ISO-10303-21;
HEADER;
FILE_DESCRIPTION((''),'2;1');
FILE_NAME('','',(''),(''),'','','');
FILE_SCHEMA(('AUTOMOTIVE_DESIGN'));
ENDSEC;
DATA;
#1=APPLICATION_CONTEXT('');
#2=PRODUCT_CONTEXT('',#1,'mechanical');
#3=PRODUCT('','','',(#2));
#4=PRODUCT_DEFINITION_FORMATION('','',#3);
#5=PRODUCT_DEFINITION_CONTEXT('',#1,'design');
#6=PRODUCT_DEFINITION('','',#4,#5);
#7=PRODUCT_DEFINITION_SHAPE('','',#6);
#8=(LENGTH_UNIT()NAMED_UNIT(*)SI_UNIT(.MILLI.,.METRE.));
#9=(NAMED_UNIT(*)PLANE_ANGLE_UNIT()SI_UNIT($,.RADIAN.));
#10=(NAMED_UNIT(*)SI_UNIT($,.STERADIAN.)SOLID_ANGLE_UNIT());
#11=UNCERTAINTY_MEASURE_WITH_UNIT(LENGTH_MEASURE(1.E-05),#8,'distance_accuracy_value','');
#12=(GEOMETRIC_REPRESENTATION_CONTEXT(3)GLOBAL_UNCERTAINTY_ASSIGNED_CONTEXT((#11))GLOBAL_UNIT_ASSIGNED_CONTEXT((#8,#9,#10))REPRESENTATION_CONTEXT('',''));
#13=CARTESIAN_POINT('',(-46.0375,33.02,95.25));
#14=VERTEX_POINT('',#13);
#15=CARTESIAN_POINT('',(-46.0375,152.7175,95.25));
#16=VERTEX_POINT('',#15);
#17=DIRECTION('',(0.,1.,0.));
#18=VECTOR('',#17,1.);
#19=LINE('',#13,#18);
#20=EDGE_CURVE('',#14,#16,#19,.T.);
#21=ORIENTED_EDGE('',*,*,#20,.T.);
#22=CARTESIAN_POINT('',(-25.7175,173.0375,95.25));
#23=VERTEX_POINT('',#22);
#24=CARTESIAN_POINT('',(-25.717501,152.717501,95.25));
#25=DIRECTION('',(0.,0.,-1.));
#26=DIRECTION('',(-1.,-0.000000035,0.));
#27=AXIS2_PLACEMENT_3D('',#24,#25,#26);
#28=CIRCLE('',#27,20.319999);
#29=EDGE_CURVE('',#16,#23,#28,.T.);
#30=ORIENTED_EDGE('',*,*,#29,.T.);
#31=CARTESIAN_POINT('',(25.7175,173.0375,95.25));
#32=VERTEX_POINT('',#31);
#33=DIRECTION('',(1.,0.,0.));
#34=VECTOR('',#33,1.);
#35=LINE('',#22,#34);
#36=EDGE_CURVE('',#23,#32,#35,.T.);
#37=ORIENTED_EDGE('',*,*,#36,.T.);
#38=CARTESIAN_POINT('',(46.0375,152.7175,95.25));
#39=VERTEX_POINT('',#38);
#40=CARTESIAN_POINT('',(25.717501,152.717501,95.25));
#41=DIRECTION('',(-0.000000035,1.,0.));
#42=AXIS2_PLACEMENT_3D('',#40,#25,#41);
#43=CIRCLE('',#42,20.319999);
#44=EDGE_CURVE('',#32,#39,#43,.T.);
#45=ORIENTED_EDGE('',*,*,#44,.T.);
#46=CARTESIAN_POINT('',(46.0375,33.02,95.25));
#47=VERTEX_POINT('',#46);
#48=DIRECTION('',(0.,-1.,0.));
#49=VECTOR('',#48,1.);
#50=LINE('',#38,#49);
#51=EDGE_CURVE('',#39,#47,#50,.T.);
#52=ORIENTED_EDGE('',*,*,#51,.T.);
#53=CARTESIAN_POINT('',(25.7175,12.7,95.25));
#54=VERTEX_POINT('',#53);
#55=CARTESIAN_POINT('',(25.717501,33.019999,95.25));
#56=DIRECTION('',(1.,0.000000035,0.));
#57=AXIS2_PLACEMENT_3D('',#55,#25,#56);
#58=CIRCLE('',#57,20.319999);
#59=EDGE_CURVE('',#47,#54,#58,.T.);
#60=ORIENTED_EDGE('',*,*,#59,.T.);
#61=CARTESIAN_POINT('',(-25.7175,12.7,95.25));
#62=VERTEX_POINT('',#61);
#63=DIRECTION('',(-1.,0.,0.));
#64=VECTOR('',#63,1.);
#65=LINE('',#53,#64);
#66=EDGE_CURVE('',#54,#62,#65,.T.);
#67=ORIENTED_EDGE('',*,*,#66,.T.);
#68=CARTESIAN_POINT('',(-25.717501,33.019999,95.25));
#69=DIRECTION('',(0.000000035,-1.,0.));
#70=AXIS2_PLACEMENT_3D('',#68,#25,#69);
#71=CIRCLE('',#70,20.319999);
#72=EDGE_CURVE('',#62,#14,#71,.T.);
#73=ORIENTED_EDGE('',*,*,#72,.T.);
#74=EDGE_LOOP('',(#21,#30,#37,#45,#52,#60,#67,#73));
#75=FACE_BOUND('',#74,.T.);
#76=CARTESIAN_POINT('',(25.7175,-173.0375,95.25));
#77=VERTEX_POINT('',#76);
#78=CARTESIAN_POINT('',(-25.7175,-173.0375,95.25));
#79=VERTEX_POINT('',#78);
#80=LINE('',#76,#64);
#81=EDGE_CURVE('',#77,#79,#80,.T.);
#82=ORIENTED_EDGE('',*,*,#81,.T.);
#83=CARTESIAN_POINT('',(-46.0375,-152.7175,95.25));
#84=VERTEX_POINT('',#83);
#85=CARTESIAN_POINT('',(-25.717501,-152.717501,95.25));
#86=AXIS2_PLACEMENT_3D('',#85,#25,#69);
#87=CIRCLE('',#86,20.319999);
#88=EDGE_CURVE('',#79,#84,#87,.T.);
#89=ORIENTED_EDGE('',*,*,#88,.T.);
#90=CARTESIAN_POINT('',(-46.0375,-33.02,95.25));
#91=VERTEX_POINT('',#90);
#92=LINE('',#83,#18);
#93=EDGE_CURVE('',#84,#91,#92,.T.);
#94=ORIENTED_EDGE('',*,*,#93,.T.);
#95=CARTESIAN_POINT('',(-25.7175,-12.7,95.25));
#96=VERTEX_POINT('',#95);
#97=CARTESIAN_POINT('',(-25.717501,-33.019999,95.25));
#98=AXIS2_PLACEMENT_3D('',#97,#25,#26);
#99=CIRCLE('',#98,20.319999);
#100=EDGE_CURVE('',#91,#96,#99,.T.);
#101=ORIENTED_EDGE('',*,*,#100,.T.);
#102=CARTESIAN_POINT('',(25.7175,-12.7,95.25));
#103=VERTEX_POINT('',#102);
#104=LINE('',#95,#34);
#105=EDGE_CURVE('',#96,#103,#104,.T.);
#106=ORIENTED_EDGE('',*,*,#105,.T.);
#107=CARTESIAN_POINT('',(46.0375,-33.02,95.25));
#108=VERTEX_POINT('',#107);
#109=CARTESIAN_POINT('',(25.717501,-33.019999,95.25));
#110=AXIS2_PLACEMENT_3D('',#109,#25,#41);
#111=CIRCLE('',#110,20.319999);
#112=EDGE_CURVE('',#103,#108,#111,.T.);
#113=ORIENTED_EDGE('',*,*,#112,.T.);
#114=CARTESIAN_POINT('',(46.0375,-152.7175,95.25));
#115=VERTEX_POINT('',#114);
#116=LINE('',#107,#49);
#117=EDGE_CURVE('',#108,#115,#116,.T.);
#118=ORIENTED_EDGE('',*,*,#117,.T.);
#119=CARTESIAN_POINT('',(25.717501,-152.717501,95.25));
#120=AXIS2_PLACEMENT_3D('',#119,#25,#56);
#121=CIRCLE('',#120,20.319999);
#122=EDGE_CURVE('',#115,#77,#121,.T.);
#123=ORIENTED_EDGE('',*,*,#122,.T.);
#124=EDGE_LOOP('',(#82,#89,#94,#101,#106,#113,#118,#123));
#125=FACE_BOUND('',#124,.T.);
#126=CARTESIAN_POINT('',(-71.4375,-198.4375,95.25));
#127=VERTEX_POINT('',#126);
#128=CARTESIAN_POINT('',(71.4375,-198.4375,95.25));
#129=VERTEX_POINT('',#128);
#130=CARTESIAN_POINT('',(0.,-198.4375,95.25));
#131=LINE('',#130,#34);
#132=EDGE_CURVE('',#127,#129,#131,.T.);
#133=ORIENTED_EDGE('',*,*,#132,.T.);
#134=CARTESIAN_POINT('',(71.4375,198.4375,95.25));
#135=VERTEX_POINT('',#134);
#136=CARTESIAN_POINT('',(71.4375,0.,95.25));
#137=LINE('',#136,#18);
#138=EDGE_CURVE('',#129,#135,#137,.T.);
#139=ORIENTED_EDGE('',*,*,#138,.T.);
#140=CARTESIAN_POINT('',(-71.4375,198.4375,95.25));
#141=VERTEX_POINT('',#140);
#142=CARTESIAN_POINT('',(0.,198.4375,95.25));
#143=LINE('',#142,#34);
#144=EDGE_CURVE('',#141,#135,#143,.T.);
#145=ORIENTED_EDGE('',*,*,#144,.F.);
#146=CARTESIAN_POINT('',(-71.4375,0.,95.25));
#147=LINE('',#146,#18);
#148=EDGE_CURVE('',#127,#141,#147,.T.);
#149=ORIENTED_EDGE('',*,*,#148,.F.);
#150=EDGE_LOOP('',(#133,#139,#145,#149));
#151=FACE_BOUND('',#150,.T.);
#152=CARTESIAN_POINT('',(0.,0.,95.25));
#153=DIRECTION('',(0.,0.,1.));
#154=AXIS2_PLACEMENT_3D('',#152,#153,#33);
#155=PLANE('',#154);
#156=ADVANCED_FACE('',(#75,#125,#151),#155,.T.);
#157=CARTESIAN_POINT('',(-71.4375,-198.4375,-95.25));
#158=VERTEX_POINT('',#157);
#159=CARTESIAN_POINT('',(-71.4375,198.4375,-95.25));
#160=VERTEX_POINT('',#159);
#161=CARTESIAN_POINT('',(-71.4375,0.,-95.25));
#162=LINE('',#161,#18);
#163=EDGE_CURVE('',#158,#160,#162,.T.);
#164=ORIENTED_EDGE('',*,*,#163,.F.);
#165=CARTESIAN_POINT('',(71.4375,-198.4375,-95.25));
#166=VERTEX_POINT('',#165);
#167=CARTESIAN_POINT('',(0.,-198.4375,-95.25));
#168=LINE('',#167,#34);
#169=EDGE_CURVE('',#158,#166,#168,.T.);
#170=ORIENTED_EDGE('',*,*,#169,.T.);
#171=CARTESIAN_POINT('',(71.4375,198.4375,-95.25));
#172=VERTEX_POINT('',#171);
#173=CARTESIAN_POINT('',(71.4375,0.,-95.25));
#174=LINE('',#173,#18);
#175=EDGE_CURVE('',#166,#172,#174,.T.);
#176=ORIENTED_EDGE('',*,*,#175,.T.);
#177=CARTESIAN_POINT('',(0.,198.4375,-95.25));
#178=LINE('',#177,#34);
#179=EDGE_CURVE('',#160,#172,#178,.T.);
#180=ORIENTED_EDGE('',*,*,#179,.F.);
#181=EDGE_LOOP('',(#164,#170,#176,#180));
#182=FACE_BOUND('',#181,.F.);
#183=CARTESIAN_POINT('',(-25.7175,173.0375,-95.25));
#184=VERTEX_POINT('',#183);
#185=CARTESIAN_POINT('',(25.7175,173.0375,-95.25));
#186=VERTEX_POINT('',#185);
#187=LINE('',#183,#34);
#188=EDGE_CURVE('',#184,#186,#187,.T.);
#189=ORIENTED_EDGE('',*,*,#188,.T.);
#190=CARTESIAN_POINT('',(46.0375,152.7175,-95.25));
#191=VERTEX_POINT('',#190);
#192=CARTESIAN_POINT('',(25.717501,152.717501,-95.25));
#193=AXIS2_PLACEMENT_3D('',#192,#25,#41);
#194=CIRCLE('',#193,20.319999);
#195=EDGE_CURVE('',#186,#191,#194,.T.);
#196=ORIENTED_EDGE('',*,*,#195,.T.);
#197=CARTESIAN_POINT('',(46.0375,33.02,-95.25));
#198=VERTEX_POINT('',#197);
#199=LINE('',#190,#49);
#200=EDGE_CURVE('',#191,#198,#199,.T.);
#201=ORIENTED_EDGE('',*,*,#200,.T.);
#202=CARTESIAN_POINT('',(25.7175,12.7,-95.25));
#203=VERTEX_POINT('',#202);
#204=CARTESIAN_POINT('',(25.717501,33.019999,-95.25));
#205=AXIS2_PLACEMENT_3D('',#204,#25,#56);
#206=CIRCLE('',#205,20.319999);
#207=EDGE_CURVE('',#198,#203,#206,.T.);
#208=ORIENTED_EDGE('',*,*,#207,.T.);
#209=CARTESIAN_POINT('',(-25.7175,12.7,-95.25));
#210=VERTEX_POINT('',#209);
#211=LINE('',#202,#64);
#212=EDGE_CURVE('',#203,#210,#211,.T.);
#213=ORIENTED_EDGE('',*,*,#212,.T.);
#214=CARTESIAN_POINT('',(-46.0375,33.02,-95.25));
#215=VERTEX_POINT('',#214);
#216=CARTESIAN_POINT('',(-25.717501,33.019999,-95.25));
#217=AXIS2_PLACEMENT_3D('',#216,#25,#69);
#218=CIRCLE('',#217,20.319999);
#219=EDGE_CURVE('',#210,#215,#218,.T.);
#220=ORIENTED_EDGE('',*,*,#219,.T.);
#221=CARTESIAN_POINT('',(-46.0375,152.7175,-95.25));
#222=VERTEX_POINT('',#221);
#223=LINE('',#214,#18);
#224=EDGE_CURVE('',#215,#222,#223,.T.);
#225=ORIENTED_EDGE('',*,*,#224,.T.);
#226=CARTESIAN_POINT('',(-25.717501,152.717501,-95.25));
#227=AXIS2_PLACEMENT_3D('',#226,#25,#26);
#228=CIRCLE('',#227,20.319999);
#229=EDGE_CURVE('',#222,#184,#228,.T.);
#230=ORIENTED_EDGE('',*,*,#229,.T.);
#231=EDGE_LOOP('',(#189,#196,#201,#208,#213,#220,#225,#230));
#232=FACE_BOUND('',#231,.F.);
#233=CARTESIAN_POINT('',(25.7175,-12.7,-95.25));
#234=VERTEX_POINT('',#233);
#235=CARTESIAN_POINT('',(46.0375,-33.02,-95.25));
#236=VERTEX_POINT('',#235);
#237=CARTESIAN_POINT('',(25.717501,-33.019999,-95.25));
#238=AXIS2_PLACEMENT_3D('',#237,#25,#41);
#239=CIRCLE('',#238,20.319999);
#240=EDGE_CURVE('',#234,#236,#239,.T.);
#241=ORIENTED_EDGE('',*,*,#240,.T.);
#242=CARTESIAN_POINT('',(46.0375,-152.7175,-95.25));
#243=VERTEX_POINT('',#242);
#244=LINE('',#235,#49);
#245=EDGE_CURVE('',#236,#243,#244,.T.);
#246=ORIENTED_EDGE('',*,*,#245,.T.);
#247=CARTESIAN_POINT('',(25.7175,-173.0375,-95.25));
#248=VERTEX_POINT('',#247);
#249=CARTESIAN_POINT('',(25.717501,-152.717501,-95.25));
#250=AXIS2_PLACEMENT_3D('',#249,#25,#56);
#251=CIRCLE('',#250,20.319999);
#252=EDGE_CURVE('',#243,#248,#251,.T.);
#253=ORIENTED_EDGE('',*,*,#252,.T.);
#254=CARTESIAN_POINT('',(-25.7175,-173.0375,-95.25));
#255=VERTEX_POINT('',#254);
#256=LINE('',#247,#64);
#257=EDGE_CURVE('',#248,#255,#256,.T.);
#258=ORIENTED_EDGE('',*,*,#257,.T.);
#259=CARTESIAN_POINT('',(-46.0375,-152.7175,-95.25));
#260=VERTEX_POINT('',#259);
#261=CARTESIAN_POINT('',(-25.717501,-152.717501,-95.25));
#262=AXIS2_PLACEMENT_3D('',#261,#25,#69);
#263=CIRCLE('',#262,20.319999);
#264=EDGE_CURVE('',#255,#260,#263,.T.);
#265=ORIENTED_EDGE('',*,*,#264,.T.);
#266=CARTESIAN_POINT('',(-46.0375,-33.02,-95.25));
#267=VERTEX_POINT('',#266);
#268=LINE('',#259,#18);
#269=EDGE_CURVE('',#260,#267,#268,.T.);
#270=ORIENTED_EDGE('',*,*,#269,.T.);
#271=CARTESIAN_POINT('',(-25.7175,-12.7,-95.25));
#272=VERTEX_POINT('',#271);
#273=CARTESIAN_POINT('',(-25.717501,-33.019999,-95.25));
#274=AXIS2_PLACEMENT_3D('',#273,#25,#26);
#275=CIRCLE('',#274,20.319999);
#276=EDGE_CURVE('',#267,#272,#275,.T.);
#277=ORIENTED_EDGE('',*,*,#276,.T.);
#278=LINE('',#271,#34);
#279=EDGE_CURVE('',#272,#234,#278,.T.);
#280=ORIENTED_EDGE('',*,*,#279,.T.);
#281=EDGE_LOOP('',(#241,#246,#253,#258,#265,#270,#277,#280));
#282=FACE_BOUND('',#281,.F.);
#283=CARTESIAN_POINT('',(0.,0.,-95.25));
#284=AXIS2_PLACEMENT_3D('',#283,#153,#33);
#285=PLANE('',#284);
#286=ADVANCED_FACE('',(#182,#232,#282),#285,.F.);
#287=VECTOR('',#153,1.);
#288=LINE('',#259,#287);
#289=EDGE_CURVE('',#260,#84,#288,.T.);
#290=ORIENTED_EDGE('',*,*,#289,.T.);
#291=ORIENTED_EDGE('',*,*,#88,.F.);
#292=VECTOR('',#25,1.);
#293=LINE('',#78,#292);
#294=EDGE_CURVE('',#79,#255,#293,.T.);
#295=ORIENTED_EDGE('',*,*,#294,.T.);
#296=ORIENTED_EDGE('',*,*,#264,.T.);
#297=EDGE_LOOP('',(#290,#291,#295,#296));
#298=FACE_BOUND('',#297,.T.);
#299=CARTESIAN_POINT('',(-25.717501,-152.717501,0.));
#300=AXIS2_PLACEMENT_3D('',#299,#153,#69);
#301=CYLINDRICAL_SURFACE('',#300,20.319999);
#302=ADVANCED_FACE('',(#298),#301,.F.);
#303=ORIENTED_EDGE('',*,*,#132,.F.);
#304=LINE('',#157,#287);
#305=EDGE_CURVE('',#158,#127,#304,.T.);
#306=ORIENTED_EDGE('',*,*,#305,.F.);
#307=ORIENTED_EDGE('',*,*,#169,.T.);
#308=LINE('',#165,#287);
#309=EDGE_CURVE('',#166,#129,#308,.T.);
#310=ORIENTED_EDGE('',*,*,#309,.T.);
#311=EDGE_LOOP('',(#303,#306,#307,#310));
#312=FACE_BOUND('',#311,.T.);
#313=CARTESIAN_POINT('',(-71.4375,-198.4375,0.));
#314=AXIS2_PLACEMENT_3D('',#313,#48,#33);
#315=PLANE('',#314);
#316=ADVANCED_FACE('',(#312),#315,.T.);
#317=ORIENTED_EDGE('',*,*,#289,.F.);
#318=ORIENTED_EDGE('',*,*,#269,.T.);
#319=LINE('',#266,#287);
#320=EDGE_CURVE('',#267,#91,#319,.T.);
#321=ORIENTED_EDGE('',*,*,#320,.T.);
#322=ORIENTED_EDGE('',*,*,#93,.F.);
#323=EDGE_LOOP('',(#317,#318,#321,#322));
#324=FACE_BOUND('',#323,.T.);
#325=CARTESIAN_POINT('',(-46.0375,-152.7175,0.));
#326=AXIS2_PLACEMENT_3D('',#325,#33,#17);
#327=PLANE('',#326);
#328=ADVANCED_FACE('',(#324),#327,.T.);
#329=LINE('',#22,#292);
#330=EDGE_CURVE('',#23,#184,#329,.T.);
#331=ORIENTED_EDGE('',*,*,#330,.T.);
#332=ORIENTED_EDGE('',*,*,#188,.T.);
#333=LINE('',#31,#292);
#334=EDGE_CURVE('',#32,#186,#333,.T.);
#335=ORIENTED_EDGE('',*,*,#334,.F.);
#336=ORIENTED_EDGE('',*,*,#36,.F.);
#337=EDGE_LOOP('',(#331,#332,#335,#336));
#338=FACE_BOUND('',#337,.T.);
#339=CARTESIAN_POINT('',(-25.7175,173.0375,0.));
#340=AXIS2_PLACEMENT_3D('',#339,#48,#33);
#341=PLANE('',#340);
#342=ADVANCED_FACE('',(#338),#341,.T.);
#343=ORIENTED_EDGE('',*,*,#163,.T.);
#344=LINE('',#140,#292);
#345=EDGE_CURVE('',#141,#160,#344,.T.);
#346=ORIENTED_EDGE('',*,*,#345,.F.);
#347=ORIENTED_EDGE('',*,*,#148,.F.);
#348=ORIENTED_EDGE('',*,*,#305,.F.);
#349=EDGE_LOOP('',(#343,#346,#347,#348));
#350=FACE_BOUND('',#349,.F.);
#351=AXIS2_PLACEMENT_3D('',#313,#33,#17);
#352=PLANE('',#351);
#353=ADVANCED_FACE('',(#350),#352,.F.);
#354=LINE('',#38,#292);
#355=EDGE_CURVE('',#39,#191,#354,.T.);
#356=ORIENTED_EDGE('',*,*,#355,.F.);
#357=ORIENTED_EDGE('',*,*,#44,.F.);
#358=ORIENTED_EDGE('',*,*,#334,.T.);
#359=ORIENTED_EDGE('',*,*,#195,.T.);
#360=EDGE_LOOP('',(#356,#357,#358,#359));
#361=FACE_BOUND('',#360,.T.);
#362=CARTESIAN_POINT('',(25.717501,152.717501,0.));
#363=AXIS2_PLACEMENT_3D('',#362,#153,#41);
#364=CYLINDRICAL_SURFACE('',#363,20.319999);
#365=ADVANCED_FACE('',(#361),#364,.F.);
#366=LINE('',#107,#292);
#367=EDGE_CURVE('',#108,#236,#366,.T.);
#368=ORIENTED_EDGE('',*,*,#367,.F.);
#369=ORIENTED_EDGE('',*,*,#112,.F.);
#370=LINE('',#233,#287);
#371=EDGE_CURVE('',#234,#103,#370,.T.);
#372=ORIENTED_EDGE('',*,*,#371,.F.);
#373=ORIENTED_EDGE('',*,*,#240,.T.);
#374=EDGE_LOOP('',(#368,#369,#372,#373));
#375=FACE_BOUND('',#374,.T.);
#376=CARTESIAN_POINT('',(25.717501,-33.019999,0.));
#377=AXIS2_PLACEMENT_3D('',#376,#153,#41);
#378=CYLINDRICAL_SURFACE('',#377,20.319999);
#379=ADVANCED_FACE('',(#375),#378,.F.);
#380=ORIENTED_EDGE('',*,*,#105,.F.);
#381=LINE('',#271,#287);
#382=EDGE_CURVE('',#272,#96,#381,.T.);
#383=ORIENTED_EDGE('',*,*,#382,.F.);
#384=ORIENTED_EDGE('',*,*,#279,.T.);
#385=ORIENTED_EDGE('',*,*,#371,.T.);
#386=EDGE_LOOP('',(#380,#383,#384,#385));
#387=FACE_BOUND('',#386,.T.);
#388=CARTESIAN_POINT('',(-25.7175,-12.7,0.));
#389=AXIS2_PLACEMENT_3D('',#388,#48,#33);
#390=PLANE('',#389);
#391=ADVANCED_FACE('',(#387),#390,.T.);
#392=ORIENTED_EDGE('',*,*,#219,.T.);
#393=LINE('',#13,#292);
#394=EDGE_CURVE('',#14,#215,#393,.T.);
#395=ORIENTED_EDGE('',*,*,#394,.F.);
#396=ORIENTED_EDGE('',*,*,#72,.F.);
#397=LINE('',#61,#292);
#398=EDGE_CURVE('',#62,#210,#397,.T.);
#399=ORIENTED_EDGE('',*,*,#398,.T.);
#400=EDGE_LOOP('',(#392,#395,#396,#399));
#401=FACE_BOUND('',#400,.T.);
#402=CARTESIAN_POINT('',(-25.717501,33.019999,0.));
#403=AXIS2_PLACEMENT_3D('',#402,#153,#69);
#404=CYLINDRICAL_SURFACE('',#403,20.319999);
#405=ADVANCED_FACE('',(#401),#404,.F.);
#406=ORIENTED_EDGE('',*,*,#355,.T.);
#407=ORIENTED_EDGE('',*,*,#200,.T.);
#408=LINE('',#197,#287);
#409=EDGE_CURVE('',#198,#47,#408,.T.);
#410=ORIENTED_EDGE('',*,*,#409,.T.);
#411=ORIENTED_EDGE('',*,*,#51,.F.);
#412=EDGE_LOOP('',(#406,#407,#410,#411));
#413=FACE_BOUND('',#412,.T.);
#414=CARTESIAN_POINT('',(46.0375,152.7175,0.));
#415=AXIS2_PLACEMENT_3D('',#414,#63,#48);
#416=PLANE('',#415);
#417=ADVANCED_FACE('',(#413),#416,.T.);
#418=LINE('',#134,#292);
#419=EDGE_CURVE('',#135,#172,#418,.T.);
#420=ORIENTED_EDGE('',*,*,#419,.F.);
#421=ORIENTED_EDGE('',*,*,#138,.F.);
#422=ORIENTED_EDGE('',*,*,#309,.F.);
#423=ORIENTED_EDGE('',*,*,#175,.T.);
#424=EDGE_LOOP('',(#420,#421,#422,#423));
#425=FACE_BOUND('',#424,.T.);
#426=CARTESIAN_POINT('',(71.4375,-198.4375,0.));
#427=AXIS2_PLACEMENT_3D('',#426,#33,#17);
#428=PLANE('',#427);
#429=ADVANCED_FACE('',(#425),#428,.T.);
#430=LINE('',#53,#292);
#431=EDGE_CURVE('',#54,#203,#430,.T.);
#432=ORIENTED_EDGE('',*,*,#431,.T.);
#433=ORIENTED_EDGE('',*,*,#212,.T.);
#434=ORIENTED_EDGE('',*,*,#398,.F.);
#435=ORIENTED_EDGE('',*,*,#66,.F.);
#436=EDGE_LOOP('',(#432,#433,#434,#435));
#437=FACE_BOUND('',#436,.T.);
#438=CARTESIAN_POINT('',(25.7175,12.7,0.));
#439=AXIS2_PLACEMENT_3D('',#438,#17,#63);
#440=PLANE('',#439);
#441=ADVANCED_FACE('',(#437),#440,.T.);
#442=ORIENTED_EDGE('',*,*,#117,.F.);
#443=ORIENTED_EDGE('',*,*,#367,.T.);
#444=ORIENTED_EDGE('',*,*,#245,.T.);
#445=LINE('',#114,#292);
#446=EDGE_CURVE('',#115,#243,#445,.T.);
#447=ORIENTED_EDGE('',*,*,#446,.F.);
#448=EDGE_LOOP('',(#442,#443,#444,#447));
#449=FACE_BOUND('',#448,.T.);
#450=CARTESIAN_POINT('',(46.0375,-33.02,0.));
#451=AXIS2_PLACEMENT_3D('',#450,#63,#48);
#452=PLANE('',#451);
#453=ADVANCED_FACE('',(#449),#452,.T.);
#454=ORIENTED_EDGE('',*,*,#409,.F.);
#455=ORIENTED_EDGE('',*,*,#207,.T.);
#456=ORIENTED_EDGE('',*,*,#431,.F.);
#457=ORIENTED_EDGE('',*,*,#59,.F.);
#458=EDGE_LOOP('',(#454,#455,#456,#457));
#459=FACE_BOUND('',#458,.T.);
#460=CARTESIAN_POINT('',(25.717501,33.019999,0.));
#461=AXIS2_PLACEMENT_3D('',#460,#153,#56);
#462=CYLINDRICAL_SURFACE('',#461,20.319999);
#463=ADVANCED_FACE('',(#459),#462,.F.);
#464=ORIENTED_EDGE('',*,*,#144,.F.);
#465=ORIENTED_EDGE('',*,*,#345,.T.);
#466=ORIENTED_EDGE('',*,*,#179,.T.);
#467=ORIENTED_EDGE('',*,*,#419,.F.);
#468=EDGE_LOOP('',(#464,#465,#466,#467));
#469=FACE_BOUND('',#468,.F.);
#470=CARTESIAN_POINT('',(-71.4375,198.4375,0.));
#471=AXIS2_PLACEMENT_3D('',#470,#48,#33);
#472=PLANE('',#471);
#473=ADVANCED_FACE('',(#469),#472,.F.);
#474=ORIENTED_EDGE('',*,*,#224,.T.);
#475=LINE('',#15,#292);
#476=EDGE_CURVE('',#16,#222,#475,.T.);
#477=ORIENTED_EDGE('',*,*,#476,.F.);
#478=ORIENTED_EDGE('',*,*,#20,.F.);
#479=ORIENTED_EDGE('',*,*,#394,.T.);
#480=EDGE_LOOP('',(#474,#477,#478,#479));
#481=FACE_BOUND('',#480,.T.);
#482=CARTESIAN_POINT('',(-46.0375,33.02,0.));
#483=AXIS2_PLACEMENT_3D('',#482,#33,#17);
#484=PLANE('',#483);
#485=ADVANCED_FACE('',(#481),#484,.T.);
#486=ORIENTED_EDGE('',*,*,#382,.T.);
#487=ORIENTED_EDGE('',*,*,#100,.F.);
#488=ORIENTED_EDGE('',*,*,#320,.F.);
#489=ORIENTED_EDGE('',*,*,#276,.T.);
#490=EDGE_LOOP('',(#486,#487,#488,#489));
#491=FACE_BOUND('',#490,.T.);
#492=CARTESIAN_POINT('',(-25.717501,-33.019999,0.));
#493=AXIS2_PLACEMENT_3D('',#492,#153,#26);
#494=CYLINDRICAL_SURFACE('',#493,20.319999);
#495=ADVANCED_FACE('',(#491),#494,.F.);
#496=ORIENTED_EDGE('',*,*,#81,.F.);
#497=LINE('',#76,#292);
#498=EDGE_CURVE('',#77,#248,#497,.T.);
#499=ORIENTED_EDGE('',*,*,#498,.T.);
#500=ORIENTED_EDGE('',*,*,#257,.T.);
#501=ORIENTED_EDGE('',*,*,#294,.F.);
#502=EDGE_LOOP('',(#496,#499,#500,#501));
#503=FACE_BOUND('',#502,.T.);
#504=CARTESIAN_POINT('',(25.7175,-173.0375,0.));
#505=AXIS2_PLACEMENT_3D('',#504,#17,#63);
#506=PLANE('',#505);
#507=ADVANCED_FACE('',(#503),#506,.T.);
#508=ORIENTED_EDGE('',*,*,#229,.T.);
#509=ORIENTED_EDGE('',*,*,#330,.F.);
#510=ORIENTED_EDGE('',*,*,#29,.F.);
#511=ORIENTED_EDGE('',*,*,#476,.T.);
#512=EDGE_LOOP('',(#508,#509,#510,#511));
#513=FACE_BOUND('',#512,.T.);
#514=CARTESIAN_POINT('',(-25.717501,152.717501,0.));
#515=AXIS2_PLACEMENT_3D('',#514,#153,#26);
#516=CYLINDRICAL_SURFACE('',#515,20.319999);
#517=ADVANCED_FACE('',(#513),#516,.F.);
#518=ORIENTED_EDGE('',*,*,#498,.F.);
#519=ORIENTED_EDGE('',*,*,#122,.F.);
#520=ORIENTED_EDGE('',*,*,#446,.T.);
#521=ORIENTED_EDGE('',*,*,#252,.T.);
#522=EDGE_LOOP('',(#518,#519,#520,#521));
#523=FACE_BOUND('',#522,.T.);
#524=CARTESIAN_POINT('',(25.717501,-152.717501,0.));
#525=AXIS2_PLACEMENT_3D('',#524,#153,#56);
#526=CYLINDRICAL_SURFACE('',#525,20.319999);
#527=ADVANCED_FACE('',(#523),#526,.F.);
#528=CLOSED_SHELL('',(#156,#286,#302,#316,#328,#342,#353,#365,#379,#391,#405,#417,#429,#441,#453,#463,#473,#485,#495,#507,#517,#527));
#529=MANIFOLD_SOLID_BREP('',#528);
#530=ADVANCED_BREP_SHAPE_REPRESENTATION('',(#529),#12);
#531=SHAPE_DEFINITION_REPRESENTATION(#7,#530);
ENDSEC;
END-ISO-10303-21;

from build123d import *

# Parameters (mm, degrees)
F0_W     = 142.875
F0_H     = 396.875
F1_DEPTH = 95.25


with BuildPart() as f1:
    # F0 (on Top) → F1 (new body, symmetric)
    with BuildSketch(Plane.XY):
        Rectangle(F0_W, F0_H)
        with BuildLine():
            Line((-46.0375, -152.7175), (-46.0375, -33.02))
            ThreePointArc((-46.0375, -33.02), (-40.08591, -18.65159), (-25.7175, -12.7))
            Line((-25.7175, -12.7), (25.7175, -12.7))
            ThreePointArc((25.7175, -12.7), (40.08591, -18.65159), (46.0375, -33.02))
            Line((46.0375, -33.02), (46.0375, -152.7175))
            ThreePointArc((46.0375, -152.7175), (40.08591, -167.08591), (25.7175, -173.0375))
            Line((25.7175, -173.0375), (-25.7175, -173.0375))
            ThreePointArc((-25.7175, -173.0375), (-40.08591, -167.08591), (-46.0375, -152.7175))
        make_face(mode=Mode.SUBTRACT)
        with BuildLine():
            ThreePointArc((46.0375, 33.02), (40.08591, 18.65159), (25.7175, 12.7))
            Line((25.7175, 12.7), (-25.7175, 12.7))
            ThreePointArc((-25.7175, 12.7), (-40.08591, 18.65159), (-46.0375, 33.02))
            Line((-46.0375, 33.02), (-46.0375, 152.7175))
            ThreePointArc((-46.0375, 152.7175), (-40.08591, 167.08591), (-25.7175, 173.0375))
            Line((-25.7175, 173.0375), (25.7175, 173.0375))
            ThreePointArc((25.7175, 173.0375), (40.08591, 167.08591), (46.0375, 152.7175))
            Line((46.0375, 152.7175), (46.0375, 33.02))
        make_face(mode=Mode.SUBTRACT)
    extrude(amount=F1_DEPTH, both=True)


solid = f1.part
